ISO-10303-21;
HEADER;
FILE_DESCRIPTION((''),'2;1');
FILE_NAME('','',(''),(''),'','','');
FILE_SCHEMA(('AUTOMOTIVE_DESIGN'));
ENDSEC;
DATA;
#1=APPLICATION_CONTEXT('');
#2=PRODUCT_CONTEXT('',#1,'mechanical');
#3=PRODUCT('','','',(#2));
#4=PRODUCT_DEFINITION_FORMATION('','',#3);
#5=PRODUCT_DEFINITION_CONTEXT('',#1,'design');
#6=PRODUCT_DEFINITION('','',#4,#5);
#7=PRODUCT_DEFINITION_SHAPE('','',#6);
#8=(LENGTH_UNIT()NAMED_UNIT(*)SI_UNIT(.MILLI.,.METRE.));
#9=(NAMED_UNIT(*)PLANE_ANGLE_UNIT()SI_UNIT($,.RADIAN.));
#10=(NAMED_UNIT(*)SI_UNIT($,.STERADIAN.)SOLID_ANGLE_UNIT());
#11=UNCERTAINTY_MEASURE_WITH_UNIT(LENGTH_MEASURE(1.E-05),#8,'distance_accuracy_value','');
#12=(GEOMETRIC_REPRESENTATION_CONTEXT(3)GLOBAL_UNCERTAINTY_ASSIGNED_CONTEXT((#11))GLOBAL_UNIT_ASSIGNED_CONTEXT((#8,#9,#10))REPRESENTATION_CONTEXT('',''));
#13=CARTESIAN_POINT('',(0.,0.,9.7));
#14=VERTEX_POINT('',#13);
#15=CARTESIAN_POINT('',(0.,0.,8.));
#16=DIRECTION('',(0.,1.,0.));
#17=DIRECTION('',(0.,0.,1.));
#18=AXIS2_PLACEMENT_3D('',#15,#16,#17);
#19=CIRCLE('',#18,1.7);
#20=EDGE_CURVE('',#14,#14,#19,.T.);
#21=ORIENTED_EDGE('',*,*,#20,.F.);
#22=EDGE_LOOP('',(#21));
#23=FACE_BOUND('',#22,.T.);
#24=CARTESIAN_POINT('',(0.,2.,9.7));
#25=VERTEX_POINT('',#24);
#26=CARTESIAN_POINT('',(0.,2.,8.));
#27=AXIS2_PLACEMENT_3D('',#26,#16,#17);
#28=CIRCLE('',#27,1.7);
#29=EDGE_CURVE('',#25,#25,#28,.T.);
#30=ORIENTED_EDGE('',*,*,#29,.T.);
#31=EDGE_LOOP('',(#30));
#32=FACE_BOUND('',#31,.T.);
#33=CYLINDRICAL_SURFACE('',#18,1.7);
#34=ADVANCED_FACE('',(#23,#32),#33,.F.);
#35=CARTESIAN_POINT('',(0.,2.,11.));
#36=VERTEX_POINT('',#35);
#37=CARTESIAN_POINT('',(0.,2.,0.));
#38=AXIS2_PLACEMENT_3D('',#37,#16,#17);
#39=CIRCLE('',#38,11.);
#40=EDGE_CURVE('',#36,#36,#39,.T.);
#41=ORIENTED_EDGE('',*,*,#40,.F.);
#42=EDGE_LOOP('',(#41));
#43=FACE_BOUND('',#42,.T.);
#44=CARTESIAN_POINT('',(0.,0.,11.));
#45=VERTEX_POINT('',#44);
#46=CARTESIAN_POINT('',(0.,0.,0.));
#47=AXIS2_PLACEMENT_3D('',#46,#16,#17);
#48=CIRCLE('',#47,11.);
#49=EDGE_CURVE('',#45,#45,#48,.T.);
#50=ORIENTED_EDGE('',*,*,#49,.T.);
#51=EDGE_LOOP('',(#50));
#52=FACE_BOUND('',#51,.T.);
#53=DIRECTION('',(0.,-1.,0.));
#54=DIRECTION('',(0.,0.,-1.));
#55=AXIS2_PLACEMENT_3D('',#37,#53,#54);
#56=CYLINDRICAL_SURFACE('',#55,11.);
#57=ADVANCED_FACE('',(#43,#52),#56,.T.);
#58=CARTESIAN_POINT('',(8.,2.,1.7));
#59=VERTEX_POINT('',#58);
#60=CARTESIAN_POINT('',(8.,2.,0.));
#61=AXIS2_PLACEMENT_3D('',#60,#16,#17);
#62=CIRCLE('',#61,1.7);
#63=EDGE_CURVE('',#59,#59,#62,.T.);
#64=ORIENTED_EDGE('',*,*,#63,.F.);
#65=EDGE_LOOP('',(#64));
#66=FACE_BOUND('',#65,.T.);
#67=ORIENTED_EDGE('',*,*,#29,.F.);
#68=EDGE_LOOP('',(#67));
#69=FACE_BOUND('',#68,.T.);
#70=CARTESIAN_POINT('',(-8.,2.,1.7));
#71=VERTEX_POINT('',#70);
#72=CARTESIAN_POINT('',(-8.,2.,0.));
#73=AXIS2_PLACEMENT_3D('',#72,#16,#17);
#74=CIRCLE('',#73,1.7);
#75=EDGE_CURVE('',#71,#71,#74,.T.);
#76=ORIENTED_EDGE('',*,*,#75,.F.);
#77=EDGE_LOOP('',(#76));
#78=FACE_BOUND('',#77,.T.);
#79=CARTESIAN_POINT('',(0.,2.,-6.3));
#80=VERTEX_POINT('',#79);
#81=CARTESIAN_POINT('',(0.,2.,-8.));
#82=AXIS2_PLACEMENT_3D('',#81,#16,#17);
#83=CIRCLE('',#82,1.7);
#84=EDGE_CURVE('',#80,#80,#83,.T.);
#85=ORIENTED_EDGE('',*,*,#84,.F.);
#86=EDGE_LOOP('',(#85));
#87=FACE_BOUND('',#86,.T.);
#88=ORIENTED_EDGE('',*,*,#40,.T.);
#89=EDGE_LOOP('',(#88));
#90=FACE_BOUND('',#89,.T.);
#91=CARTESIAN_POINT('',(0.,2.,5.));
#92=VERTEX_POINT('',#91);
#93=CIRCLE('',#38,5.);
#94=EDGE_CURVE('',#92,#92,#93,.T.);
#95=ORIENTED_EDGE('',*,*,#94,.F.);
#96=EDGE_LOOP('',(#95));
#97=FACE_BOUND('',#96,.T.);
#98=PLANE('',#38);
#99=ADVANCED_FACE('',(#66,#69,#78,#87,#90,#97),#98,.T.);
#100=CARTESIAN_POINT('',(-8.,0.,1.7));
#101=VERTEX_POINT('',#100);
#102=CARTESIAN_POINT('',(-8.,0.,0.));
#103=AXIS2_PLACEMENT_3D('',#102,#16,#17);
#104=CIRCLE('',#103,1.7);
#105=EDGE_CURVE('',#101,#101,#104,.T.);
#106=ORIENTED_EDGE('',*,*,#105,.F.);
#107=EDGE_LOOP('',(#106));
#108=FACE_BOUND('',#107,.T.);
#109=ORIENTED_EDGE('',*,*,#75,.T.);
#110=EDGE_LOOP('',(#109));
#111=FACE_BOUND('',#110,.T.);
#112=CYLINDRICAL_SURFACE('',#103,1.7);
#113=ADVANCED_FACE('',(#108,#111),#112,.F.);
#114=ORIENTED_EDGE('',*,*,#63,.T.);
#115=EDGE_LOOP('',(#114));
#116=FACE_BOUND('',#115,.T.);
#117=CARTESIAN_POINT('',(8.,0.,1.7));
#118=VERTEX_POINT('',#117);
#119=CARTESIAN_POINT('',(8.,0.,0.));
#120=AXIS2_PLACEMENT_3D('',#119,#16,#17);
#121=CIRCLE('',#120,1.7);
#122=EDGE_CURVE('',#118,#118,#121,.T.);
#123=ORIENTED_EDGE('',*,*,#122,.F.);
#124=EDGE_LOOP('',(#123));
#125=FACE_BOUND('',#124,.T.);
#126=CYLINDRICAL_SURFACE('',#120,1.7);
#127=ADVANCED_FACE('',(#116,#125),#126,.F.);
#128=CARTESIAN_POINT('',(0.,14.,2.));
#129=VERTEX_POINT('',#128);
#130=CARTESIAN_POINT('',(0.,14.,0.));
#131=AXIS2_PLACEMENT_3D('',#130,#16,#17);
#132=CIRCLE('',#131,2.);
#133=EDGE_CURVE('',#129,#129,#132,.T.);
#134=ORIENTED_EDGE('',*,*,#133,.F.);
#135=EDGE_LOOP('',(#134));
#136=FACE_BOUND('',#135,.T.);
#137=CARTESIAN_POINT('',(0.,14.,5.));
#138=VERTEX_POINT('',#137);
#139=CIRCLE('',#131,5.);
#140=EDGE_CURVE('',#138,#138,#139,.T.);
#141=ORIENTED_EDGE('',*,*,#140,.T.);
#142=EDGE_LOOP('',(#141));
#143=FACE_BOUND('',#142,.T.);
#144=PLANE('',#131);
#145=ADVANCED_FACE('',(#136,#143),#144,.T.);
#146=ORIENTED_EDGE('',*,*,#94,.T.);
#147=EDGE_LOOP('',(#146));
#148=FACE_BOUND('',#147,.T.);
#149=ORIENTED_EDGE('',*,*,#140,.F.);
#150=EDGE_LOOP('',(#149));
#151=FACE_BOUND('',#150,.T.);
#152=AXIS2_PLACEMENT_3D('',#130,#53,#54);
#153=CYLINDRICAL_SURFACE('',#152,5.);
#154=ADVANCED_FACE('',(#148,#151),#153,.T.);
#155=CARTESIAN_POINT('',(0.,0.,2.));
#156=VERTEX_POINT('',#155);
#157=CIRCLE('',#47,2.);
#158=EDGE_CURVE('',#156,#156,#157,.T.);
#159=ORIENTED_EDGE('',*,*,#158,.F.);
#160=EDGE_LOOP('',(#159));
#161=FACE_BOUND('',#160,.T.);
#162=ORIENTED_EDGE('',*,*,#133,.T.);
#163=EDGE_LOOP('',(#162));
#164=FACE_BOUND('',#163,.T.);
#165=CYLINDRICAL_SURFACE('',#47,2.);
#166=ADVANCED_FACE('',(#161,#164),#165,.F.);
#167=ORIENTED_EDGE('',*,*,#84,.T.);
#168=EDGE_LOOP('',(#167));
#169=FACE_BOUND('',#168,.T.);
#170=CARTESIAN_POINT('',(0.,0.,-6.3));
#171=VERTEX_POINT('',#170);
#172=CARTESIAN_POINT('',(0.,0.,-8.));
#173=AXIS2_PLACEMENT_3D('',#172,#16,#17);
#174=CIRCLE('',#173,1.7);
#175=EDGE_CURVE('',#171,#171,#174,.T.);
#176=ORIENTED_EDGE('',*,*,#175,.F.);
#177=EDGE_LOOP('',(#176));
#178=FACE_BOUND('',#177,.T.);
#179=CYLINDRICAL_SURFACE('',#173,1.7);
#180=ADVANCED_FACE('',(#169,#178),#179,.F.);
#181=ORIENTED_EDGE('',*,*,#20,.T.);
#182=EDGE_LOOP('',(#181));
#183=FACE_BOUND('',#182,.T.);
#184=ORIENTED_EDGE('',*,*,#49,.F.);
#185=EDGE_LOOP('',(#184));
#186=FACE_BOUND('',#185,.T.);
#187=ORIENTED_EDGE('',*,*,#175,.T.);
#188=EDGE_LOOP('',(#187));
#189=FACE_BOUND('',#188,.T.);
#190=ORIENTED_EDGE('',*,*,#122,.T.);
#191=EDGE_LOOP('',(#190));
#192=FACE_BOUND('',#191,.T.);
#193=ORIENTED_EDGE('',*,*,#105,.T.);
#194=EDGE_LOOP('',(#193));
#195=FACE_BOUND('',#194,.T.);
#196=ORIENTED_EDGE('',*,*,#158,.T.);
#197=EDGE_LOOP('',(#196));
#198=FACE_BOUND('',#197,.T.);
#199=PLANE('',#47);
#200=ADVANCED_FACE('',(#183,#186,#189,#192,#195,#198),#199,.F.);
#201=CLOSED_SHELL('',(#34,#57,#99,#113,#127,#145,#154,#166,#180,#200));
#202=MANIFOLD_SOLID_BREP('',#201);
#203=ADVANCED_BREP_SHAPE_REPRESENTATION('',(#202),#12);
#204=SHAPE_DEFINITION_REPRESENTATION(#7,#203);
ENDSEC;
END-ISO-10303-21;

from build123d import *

# Parameters (mm, degrees)
SKETCH1_R           = 11
BOSS_EXTRUDE1_DEPTH = 2
SKETCH2_R           = 5
BOSS_EXTRUDE2_DEPTH = 12
SKETCH3_R           = 2
CUT_EXTRUDE1_DEPTH  = 21.928449536
SKETCH4_R           = 1.7
CUT_EXTRUDE2_DEPTH  = 20.646882704


with BuildPart() as part:
    # Sketch1 → Boss-Extrude1 (new body)
    with BuildSketch(Plane(origin=(0, 0, 0), x_dir=(1, 0, 0), z_dir=(0, 1, 0))):
        with Locations(Location((0, 0, 0), (0, 0, 270))):
            Circle(SKETCH1_R)
    extrude(amount=BOSS_EXTRUDE1_DEPTH)

    # Sketch2 → Boss-Extrude2 (add)
    with BuildSketch(Plane(origin=(0, 2, 0), x_dir=(1, 0, 0), z_dir=(0, 1, 0))):
        with Locations(Location((0, 0, 0), (0, 0, 270))):
            Circle(SKETCH2_R)
    extrude(amount=BOSS_EXTRUDE2_DEPTH)

    # Sketch3 → Cut-Extrude1 (cut, through all)
    with BuildSketch(Plane(origin=(0, 14, 0), x_dir=(1, 0, 0), z_dir=(0, 1, 0))):
        with Locations(Location((0, 0, 0), (0, 0, 270))):
            Circle(SKETCH3_R)
    extrude(amount=-CUT_EXTRUDE1_DEPTH, mode=Mode.SUBTRACT)

    # Sketch4 → Cut-Extrude2 (cut, through all)
    with BuildSketch(Plane(origin=(0, 2, 0), x_dir=(1, 0, 0), z_dir=(0, 1, 0))):
        with Locations(Location((0, 8, 0), (0, 0, 270))):
            Circle(SKETCH4_R)
        with Locations(Location((8, 0, 0), (0, 0, 270))):
            Circle(SKETCH4_R)
        with Locations(Location((0, -8, 0), (0, 0, 270))):
            Circle(SKETCH4_R)
        with Locations(Location((-8, 0, 0), (0, 0, 270))):
            Circle(SKETCH4_R)
    extrude(amount=-CUT_EXTRUDE2_DEPTH, mode=Mode.SUBTRACT)


solid = part.part
